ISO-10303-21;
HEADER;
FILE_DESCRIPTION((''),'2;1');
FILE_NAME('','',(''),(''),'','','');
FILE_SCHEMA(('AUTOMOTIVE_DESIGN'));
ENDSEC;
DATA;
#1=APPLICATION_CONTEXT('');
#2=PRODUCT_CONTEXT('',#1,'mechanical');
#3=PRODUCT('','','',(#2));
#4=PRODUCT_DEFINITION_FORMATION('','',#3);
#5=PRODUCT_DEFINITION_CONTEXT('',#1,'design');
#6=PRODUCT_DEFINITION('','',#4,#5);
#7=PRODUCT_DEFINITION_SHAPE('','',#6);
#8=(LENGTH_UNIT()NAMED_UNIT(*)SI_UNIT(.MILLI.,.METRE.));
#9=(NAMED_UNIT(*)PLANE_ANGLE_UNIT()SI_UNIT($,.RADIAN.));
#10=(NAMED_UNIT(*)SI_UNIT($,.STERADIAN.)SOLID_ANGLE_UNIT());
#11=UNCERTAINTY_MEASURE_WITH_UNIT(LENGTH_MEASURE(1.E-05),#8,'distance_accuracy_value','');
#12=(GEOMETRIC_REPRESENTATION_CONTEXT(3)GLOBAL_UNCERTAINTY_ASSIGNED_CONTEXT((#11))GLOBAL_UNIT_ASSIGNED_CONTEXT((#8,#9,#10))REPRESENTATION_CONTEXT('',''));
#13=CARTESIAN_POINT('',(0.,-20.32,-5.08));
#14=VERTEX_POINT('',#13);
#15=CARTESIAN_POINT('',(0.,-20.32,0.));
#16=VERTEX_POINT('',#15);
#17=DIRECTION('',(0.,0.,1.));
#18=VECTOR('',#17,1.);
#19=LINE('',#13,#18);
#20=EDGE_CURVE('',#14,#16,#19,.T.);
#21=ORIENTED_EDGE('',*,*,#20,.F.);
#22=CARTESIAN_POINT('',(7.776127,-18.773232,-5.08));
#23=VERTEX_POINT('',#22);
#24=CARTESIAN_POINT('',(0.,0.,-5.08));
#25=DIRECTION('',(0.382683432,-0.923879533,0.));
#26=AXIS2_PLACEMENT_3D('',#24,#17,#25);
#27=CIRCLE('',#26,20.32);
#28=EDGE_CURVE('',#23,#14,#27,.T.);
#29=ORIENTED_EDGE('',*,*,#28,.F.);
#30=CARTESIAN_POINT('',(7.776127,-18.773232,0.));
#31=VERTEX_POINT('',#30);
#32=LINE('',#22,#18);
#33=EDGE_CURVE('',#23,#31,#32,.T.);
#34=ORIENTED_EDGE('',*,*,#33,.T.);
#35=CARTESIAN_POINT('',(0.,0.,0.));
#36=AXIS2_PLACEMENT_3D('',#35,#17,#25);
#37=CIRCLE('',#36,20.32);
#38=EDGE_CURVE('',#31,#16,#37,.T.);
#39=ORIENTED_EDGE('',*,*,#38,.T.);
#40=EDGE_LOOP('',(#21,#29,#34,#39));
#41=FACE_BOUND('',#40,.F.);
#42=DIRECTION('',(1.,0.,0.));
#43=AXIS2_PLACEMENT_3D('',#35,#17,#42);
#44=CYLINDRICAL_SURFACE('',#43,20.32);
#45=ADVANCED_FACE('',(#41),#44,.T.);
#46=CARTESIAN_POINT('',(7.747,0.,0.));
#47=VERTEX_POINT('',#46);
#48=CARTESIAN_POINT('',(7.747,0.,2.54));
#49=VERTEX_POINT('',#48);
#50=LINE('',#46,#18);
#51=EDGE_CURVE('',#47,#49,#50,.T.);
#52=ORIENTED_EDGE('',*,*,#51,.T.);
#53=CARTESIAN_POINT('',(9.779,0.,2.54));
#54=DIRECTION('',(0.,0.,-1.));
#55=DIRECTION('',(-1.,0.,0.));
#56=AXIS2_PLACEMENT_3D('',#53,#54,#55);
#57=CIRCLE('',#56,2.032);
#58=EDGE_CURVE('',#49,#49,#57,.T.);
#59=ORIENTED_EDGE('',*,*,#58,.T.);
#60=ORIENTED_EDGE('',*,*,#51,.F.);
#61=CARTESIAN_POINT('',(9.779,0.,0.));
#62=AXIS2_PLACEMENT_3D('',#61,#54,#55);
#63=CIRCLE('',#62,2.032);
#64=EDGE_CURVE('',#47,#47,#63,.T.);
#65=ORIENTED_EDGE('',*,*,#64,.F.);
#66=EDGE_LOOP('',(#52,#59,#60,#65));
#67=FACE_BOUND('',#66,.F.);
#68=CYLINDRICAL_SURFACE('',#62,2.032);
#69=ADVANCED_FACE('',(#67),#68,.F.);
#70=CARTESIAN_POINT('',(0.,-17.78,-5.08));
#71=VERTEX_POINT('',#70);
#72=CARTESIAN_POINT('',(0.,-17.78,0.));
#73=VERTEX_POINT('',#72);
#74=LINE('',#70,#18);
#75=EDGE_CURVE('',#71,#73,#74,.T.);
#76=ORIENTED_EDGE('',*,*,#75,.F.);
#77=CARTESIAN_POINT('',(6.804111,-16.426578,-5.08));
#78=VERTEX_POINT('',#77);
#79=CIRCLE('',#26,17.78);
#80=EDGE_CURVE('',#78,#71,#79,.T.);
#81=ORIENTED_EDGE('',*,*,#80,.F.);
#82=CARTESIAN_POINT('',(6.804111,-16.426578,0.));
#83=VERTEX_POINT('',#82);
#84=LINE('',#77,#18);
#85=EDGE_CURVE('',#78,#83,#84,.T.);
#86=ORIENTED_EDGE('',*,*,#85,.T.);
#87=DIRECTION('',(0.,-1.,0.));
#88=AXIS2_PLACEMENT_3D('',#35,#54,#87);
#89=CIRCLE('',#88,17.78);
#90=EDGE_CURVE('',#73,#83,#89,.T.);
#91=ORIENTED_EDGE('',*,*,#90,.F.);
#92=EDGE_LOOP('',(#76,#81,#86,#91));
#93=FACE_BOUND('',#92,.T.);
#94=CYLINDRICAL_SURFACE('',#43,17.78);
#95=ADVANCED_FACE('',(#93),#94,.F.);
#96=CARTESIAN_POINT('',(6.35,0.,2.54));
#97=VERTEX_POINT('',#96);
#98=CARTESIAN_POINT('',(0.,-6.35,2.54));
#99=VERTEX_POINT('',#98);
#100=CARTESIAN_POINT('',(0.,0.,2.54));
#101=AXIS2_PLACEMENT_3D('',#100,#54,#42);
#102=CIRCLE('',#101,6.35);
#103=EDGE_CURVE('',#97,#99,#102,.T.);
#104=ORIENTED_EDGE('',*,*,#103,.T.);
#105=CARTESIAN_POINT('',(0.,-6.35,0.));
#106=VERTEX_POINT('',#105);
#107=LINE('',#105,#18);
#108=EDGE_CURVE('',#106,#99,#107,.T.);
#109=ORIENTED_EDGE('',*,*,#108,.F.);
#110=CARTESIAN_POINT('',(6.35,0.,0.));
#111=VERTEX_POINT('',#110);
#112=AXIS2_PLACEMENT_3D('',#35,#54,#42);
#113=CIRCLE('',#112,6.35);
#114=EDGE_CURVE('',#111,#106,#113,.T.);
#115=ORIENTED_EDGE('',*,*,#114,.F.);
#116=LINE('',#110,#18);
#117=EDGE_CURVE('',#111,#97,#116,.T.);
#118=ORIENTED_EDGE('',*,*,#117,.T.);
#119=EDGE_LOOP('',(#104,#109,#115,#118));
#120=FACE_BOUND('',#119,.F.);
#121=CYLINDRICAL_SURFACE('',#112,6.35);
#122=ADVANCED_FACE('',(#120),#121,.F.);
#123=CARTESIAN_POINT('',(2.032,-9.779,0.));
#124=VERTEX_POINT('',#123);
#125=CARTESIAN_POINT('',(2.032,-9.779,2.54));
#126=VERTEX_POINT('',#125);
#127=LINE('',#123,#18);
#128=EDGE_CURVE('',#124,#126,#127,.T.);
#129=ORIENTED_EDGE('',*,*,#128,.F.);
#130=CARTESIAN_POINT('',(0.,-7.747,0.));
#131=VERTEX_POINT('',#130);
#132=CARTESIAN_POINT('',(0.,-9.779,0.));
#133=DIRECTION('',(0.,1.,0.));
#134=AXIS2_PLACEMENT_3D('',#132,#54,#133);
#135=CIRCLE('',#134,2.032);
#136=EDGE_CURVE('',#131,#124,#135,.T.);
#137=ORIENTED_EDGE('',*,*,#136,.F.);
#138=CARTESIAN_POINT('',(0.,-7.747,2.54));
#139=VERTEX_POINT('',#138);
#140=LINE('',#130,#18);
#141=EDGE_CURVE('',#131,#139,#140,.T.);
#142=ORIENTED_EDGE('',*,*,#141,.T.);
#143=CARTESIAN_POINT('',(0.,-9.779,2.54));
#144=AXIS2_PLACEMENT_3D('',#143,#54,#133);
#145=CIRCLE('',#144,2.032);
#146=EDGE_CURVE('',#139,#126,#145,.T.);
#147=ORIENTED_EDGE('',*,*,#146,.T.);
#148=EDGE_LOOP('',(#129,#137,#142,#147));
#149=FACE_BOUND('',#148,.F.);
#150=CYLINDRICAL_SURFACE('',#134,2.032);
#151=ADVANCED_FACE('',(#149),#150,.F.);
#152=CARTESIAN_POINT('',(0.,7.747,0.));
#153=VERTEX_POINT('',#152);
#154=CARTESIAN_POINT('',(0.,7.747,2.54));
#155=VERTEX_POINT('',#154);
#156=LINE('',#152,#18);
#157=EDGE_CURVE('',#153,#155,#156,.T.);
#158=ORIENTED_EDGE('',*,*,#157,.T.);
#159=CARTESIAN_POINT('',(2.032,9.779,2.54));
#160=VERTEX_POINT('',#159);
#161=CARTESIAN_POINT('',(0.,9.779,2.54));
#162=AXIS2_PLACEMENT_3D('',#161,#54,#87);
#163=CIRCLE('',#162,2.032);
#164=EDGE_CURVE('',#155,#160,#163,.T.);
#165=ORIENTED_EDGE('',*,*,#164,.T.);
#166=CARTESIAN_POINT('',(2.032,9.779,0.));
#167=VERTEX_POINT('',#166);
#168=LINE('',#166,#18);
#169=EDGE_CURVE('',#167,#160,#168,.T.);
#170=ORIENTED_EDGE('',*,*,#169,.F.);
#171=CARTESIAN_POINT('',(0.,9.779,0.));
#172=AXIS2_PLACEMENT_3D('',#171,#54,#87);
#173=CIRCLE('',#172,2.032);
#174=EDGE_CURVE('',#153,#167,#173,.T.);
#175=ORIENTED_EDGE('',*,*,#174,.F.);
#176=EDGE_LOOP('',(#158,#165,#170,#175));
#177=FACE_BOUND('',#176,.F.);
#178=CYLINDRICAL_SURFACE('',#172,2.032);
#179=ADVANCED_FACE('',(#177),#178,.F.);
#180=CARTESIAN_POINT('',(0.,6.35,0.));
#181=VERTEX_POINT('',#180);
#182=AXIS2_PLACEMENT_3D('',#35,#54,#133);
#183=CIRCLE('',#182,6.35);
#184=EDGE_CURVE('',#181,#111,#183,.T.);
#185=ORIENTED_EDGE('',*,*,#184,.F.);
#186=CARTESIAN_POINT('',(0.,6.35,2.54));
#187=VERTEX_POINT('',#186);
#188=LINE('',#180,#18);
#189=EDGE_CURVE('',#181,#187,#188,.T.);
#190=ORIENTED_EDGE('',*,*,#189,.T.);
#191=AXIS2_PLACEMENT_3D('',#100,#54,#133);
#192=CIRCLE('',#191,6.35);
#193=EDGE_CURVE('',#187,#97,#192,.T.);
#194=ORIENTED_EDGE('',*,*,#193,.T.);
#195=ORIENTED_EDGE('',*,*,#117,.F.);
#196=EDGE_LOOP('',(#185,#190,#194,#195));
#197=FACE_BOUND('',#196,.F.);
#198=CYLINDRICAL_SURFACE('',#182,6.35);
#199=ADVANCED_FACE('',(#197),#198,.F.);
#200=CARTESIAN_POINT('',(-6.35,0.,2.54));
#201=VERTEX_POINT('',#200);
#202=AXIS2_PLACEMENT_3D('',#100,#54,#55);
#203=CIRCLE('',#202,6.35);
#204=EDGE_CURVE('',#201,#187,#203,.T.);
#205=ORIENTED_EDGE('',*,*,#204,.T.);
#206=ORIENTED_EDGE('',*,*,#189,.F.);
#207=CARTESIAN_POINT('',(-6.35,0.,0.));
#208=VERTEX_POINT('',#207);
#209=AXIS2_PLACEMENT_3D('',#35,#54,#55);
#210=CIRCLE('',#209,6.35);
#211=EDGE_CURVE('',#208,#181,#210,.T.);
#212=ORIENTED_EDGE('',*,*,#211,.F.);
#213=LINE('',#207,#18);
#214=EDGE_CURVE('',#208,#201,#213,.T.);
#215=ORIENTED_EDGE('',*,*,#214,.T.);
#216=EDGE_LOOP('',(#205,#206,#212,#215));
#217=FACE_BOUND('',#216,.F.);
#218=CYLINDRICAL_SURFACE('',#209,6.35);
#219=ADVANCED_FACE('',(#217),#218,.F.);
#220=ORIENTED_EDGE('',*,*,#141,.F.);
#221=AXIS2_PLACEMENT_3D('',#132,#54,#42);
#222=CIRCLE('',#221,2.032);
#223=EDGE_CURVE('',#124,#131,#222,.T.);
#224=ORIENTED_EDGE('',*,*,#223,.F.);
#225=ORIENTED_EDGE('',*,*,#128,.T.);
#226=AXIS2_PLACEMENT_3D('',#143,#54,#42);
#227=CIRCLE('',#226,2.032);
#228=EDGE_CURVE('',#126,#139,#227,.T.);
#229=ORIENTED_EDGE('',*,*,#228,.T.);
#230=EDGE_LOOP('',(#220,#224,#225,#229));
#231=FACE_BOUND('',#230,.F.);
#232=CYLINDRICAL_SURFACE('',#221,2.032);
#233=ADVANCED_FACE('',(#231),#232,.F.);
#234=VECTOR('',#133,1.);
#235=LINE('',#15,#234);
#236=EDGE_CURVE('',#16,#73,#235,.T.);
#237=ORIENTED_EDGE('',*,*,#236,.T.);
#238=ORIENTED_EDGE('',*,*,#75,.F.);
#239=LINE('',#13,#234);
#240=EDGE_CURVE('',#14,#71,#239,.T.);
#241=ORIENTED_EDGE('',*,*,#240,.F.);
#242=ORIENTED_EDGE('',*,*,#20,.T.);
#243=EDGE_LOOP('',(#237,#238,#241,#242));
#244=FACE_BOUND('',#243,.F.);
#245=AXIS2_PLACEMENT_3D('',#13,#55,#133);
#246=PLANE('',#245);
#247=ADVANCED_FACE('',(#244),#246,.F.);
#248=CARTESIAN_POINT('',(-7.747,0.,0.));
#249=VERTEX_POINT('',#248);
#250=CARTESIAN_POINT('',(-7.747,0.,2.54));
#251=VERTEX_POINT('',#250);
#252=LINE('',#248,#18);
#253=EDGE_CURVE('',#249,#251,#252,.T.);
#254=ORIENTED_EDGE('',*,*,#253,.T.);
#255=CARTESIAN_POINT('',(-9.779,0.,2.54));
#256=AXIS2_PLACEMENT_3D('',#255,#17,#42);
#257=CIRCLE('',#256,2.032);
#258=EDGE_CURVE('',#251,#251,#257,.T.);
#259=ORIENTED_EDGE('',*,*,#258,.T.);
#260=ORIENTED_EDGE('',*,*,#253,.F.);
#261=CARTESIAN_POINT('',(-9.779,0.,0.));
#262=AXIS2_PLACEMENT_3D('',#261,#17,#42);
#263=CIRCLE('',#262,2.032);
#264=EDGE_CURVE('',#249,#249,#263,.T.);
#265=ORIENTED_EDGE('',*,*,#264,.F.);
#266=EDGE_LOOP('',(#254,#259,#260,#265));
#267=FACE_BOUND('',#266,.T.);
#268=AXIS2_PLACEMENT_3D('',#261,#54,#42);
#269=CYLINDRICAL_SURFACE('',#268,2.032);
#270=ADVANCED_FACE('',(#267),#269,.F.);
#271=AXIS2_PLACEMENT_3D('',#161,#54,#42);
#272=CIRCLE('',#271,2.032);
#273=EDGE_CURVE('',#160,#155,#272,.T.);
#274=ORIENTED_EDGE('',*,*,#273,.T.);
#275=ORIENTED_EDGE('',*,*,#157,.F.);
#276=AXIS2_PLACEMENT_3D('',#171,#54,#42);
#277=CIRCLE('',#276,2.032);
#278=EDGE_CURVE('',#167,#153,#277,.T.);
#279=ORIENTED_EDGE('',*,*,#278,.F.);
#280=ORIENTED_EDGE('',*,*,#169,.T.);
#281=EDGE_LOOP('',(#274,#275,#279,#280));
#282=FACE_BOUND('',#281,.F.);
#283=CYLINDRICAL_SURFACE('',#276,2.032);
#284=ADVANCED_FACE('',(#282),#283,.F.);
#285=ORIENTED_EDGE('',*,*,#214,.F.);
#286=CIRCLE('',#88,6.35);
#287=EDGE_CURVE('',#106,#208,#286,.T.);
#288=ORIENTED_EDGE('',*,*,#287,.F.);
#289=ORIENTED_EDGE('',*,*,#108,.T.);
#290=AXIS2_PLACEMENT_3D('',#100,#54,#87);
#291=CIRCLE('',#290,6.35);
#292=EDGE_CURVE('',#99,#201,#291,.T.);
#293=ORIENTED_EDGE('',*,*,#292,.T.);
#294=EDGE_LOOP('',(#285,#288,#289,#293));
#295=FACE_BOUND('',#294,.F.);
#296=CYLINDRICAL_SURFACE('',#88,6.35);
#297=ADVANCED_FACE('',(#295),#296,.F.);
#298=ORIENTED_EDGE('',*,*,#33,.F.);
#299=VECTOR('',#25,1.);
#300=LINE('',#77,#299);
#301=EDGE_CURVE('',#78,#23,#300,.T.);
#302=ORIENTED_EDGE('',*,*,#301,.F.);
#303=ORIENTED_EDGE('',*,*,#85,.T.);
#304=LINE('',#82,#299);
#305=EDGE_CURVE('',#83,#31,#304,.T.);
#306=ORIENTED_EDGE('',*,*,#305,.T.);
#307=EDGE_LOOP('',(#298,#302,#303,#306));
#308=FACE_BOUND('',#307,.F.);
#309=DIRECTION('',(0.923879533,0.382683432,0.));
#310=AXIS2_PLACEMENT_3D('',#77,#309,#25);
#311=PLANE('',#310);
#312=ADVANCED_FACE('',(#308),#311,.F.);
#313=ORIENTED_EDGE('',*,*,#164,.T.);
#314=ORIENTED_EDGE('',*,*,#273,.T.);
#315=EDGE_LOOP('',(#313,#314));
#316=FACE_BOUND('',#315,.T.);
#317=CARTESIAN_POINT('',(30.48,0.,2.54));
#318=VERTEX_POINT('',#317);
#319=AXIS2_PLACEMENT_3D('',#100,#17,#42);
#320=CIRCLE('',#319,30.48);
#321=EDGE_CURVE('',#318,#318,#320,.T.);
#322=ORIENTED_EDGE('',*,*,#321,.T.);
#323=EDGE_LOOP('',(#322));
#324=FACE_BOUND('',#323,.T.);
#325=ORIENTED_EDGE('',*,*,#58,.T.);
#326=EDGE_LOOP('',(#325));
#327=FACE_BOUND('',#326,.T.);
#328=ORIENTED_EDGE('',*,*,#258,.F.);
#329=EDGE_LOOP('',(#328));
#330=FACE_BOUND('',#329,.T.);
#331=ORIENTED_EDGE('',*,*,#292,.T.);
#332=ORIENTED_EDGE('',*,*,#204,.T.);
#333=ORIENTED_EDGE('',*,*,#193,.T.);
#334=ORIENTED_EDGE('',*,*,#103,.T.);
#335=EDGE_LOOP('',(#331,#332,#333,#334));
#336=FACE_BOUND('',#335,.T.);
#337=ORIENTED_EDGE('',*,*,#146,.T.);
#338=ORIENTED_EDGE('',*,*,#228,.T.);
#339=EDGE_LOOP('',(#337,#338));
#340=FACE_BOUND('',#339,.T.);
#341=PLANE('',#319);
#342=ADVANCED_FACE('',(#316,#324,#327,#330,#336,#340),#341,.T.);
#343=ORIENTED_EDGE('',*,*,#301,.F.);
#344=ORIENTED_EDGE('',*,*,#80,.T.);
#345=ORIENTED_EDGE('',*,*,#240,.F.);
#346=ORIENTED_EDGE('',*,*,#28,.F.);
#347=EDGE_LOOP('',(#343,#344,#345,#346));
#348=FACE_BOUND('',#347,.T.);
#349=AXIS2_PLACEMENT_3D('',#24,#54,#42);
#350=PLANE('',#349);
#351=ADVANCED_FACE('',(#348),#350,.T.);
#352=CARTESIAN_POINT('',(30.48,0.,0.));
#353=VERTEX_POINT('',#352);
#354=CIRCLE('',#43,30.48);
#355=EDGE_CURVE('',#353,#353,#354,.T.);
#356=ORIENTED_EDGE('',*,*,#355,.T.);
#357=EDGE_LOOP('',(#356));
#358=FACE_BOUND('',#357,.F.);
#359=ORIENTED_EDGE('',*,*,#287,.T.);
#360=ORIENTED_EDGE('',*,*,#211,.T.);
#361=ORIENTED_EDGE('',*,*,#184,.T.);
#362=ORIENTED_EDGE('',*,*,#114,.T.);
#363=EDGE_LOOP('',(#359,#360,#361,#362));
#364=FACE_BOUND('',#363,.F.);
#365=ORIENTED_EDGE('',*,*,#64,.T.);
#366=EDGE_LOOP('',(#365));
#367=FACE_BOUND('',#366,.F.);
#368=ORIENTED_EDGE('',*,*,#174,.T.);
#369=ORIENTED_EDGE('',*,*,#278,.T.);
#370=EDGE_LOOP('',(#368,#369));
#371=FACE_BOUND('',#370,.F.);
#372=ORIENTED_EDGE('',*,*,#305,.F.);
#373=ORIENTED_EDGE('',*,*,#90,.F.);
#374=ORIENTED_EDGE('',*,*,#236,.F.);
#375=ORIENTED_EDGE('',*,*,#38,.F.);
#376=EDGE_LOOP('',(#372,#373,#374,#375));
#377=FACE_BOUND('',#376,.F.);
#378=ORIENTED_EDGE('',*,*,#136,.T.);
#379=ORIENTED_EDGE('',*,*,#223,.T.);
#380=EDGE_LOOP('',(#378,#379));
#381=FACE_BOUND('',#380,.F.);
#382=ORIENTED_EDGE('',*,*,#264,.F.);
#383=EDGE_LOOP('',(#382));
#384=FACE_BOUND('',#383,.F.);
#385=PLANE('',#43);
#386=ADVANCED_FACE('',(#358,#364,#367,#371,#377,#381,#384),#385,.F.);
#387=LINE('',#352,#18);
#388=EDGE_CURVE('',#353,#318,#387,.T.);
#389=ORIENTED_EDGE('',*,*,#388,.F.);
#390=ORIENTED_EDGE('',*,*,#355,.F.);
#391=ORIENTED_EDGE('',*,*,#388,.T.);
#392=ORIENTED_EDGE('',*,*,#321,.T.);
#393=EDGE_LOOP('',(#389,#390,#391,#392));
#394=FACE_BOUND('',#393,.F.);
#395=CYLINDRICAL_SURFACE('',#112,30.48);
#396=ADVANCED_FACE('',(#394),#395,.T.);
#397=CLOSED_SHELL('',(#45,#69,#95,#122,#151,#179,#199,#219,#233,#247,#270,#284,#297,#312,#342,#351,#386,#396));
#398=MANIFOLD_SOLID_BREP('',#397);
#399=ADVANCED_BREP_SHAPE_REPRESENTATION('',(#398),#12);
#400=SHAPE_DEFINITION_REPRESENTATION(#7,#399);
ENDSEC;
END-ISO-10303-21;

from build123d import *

# Parameters (mm, degrees)
F0_R     = 30.48
F0_R_2   = 2.921
F0_R_3   = 2.032
F1_DEPTH = 2.54
F2_R     = 20.32
F2_R_2   = 17.78
F3_DEPTH = 5.08
F5_DEPTH = 5.08


with BuildPart() as f1:
    # F0 (on Top) → F1 (new body)
    with BuildSketch(Plane.XY):
        Circle(F0_R)
        with BuildLine():
            ThreePointArc((2.921, -9.779), (-2.0654589078, -11.8444589078), (0, -6.858))
            ThreePointArc((0, -6.858), (2.0654589078, -7.7135410922), (2.921, -9.779))
        make_face(mode=Mode.SUBTRACT)
        with Locations((-9.779, 0)):
            Circle(F0_R_2, mode=Mode.SUBTRACT)
        with BuildLine():
            ThreePointArc((0, 6.35), (4.4901280605, 4.4901280605), (6.35, 0))
            ThreePointArc((6.35, 0), (4.4901280605, -4.4901280605), (0, -6.35))
            ThreePointArc((0, -6.35), (-4.4901280605, -4.4901280605), (-6.35, 0))
            ThreePointArc((-6.35, 0), (-4.4901280605, 4.4901280605), (0, 6.35))
        make_face(mode=Mode.SUBTRACT)
        with BuildLine():
            ThreePointArc((12.7, 0), (9.779, -2.921), (6.858, 0))
            ThreePointArc((6.858, 0), (9.779, 2.921), (12.7, 0))
        make_face(mode=Mode.SUBTRACT)
        with BuildLine():
            ThreePointArc((2.921, 9.779), (2.0654589078, 7.7135410922), (0, 6.858))
            ThreePointArc((0, 6.858), (-2.0654589078, 11.8444589078), (2.921, 9.779))
        make_face(mode=Mode.SUBTRACT)
        with BuildLine():
            ThreePointArc((2.921, 9.779), (-2.0654589078, 11.8444589078), (0, 6.858))
            ThreePointArc((0, 6.858), (2.0654589078, 7.7135410922), (2.921, 9.779))
        make_face()
        with BuildLine():
            ThreePointArc((2.032, 9.779), (1.4368409794, 8.3421590206), (0, 7.747))
            ThreePointArc((0, 7.747), (-1.4368409794, 11.2158409794), (2.032, 9.779))
        make_face(mode=Mode.SUBTRACT)
        with Locations((-9.779, 0)):
            Circle(F0_R_2)
        with Locations((-9.779, 0)):
            Circle(F0_R_3, mode=Mode.SUBTRACT)
        with BuildLine():
            ThreePointArc((2.921, -9.779), (2.0654589078, -7.7135410922), (0, -6.858))
            ThreePointArc((0, -6.858), (-2.0654589078, -11.8444589078), (2.921, -9.779))
        make_face()
        with BuildLine():
            ThreePointArc((2.032, -9.779), (-1.4368409794, -11.2158409794), (0, -7.747))
            ThreePointArc((0, -7.747), (1.4368409794, -8.3421590206), (2.032, -9.779))
        make_face(mode=Mode.SUBTRACT)
        with BuildLine():
            ThreePointArc((12.7, 0), (9.779, 2.921), (6.858, 0))
            ThreePointArc((6.858, 0), (9.779, -2.921), (12.7, 0))
        make_face()
        with BuildLine():
            ThreePointArc((11.811, 0), (9.779, -2.032), (7.747, 0))
            ThreePointArc((7.747, 0), (9.779, 2.032), (11.811, 0))
        make_face(mode=Mode.SUBTRACT)
    extrude(amount=F1_DEPTH)

    # F2 (on face) → F3 (join)
    with BuildSketch(Plane(origin=(0, 0, 0), x_dir=(1, 0, 0), z_dir=(0, 0, -1))):
        Circle(F2_R)
        Circle(F2_R_2, mode=Mode.SUBTRACT)
    extrude(amount=F3_DEPTH)

    # F4 (on face) → F5 (cut)
    with BuildSketch(Plane(origin=(0, 0, -5.08), x_dir=(1, 0, 0), z_dir=(0, 0, -1))):
        with BuildLine():
            Line((6.8041114275, 16.4265780881), (7.7761273457, 18.7732321006))
            ThreePointArc((7.7761273457, 18.7732321006), (3.9642353434, 19.9295568978), (0, 20.32))
            Line((0, 20.32), (0, 17.78))
            ThreePointArc((0, 17.78), (3.4687059254, 17.4383622856), (6.8041114275, 16.4265780881))
        make_face()
    extrude(amount=-F5_DEPTH, mode=Mode.SUBTRACT)


solid = f1.part
